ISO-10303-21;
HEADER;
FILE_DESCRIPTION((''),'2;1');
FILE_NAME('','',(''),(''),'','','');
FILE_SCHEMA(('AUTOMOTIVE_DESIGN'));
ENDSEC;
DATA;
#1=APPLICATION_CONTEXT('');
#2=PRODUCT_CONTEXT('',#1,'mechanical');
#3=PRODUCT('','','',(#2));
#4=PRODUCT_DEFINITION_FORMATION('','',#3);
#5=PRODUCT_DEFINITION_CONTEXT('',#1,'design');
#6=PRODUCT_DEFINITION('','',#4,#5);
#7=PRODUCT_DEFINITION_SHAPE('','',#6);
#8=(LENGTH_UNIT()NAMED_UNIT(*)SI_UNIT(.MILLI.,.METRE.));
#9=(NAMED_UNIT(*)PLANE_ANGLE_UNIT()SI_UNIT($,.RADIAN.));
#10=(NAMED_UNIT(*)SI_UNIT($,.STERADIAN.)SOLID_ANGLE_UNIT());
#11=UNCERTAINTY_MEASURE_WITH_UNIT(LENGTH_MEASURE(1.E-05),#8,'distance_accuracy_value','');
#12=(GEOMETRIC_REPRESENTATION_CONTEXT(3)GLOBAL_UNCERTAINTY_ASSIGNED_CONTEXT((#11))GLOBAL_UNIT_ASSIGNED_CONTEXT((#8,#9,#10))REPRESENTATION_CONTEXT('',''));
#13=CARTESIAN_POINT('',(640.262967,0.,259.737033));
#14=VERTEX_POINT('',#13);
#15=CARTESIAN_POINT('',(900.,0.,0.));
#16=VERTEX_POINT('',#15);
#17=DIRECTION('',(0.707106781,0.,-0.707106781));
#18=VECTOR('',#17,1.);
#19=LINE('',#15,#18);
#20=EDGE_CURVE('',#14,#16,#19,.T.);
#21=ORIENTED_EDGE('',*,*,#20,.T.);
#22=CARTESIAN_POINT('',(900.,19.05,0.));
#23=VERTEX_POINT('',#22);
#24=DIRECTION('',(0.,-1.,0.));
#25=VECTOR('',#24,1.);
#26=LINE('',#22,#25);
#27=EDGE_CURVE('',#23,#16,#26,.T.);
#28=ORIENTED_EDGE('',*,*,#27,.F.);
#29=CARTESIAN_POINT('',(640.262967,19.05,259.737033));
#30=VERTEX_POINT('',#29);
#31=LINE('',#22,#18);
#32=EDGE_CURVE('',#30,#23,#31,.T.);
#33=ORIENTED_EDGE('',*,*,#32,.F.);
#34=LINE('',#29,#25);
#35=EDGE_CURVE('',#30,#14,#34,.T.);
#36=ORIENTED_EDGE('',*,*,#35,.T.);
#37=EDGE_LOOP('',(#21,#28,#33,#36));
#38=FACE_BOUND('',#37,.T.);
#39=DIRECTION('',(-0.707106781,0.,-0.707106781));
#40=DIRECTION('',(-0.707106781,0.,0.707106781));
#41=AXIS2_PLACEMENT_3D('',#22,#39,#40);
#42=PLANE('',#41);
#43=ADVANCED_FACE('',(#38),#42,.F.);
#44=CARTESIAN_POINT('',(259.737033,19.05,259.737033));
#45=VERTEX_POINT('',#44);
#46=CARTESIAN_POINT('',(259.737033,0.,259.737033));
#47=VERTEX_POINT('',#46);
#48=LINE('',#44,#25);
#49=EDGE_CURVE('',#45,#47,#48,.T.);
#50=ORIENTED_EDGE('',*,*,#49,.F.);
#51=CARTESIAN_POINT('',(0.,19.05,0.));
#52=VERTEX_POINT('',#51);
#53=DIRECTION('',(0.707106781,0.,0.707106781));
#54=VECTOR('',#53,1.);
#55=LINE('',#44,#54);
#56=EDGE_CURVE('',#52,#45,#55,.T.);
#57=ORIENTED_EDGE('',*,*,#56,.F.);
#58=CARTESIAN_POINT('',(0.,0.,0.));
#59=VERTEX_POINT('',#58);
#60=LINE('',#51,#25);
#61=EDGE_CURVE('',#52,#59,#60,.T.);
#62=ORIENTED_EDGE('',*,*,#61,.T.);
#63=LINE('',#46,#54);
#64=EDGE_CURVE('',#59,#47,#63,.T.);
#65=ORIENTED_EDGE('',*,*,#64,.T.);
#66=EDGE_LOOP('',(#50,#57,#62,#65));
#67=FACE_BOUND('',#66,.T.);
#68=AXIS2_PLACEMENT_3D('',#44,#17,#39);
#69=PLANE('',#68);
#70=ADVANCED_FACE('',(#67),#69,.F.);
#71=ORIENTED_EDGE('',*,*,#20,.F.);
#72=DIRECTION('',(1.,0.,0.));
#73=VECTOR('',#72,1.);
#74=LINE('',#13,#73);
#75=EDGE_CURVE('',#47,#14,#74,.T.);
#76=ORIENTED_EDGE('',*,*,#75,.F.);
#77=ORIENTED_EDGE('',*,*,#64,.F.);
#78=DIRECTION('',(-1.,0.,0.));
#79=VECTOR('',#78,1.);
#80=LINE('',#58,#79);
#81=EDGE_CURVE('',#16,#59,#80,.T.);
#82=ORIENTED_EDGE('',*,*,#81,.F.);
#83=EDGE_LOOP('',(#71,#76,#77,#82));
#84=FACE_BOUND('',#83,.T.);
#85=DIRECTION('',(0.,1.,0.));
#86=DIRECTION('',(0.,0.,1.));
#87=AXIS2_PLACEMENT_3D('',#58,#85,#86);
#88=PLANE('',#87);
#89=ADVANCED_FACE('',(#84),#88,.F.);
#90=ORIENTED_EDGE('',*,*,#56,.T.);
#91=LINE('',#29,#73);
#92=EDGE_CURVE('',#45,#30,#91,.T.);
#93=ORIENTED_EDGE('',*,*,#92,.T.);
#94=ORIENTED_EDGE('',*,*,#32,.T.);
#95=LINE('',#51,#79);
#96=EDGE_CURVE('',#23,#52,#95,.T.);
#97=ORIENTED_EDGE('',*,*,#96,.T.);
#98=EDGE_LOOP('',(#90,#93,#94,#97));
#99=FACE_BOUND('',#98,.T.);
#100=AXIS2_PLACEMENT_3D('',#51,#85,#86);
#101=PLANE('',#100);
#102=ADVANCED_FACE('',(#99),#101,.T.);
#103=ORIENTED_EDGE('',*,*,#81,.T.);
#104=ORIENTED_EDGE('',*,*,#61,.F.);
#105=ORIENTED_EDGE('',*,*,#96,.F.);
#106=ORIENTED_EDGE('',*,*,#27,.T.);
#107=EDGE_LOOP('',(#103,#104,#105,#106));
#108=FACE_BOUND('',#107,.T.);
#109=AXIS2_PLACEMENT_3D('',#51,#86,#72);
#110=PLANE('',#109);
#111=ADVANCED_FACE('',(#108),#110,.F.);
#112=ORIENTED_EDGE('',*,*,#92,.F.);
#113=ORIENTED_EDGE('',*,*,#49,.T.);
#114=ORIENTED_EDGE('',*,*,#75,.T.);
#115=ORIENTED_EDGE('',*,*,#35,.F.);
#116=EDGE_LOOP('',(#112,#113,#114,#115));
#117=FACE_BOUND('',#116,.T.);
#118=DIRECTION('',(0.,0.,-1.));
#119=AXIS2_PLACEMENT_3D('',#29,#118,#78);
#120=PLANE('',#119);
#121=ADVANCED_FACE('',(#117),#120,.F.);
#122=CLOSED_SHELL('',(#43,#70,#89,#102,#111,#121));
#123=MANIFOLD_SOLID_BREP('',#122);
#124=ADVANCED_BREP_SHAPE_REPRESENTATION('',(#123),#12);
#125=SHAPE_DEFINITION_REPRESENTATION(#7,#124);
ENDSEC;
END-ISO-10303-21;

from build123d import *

# Parameters (mm, degrees)
BOSS_EXTRUDE1_DEPTH = 19.05


with BuildPart() as part:
    # Sketch1 → Boss-Extrude1 (new body)
    with BuildSketch(Plane(origin=(0, 0, 0), x_dir=(1, 0, 0), z_dir=(0, 1, 0))):
        Polygon((0, 0), (900, 0), (640.26296725, -259.73703275), (259.73703275, -259.73703275), align=None)
    extrude(amount=BOSS_EXTRUDE1_DEPTH)


solid = part.part
